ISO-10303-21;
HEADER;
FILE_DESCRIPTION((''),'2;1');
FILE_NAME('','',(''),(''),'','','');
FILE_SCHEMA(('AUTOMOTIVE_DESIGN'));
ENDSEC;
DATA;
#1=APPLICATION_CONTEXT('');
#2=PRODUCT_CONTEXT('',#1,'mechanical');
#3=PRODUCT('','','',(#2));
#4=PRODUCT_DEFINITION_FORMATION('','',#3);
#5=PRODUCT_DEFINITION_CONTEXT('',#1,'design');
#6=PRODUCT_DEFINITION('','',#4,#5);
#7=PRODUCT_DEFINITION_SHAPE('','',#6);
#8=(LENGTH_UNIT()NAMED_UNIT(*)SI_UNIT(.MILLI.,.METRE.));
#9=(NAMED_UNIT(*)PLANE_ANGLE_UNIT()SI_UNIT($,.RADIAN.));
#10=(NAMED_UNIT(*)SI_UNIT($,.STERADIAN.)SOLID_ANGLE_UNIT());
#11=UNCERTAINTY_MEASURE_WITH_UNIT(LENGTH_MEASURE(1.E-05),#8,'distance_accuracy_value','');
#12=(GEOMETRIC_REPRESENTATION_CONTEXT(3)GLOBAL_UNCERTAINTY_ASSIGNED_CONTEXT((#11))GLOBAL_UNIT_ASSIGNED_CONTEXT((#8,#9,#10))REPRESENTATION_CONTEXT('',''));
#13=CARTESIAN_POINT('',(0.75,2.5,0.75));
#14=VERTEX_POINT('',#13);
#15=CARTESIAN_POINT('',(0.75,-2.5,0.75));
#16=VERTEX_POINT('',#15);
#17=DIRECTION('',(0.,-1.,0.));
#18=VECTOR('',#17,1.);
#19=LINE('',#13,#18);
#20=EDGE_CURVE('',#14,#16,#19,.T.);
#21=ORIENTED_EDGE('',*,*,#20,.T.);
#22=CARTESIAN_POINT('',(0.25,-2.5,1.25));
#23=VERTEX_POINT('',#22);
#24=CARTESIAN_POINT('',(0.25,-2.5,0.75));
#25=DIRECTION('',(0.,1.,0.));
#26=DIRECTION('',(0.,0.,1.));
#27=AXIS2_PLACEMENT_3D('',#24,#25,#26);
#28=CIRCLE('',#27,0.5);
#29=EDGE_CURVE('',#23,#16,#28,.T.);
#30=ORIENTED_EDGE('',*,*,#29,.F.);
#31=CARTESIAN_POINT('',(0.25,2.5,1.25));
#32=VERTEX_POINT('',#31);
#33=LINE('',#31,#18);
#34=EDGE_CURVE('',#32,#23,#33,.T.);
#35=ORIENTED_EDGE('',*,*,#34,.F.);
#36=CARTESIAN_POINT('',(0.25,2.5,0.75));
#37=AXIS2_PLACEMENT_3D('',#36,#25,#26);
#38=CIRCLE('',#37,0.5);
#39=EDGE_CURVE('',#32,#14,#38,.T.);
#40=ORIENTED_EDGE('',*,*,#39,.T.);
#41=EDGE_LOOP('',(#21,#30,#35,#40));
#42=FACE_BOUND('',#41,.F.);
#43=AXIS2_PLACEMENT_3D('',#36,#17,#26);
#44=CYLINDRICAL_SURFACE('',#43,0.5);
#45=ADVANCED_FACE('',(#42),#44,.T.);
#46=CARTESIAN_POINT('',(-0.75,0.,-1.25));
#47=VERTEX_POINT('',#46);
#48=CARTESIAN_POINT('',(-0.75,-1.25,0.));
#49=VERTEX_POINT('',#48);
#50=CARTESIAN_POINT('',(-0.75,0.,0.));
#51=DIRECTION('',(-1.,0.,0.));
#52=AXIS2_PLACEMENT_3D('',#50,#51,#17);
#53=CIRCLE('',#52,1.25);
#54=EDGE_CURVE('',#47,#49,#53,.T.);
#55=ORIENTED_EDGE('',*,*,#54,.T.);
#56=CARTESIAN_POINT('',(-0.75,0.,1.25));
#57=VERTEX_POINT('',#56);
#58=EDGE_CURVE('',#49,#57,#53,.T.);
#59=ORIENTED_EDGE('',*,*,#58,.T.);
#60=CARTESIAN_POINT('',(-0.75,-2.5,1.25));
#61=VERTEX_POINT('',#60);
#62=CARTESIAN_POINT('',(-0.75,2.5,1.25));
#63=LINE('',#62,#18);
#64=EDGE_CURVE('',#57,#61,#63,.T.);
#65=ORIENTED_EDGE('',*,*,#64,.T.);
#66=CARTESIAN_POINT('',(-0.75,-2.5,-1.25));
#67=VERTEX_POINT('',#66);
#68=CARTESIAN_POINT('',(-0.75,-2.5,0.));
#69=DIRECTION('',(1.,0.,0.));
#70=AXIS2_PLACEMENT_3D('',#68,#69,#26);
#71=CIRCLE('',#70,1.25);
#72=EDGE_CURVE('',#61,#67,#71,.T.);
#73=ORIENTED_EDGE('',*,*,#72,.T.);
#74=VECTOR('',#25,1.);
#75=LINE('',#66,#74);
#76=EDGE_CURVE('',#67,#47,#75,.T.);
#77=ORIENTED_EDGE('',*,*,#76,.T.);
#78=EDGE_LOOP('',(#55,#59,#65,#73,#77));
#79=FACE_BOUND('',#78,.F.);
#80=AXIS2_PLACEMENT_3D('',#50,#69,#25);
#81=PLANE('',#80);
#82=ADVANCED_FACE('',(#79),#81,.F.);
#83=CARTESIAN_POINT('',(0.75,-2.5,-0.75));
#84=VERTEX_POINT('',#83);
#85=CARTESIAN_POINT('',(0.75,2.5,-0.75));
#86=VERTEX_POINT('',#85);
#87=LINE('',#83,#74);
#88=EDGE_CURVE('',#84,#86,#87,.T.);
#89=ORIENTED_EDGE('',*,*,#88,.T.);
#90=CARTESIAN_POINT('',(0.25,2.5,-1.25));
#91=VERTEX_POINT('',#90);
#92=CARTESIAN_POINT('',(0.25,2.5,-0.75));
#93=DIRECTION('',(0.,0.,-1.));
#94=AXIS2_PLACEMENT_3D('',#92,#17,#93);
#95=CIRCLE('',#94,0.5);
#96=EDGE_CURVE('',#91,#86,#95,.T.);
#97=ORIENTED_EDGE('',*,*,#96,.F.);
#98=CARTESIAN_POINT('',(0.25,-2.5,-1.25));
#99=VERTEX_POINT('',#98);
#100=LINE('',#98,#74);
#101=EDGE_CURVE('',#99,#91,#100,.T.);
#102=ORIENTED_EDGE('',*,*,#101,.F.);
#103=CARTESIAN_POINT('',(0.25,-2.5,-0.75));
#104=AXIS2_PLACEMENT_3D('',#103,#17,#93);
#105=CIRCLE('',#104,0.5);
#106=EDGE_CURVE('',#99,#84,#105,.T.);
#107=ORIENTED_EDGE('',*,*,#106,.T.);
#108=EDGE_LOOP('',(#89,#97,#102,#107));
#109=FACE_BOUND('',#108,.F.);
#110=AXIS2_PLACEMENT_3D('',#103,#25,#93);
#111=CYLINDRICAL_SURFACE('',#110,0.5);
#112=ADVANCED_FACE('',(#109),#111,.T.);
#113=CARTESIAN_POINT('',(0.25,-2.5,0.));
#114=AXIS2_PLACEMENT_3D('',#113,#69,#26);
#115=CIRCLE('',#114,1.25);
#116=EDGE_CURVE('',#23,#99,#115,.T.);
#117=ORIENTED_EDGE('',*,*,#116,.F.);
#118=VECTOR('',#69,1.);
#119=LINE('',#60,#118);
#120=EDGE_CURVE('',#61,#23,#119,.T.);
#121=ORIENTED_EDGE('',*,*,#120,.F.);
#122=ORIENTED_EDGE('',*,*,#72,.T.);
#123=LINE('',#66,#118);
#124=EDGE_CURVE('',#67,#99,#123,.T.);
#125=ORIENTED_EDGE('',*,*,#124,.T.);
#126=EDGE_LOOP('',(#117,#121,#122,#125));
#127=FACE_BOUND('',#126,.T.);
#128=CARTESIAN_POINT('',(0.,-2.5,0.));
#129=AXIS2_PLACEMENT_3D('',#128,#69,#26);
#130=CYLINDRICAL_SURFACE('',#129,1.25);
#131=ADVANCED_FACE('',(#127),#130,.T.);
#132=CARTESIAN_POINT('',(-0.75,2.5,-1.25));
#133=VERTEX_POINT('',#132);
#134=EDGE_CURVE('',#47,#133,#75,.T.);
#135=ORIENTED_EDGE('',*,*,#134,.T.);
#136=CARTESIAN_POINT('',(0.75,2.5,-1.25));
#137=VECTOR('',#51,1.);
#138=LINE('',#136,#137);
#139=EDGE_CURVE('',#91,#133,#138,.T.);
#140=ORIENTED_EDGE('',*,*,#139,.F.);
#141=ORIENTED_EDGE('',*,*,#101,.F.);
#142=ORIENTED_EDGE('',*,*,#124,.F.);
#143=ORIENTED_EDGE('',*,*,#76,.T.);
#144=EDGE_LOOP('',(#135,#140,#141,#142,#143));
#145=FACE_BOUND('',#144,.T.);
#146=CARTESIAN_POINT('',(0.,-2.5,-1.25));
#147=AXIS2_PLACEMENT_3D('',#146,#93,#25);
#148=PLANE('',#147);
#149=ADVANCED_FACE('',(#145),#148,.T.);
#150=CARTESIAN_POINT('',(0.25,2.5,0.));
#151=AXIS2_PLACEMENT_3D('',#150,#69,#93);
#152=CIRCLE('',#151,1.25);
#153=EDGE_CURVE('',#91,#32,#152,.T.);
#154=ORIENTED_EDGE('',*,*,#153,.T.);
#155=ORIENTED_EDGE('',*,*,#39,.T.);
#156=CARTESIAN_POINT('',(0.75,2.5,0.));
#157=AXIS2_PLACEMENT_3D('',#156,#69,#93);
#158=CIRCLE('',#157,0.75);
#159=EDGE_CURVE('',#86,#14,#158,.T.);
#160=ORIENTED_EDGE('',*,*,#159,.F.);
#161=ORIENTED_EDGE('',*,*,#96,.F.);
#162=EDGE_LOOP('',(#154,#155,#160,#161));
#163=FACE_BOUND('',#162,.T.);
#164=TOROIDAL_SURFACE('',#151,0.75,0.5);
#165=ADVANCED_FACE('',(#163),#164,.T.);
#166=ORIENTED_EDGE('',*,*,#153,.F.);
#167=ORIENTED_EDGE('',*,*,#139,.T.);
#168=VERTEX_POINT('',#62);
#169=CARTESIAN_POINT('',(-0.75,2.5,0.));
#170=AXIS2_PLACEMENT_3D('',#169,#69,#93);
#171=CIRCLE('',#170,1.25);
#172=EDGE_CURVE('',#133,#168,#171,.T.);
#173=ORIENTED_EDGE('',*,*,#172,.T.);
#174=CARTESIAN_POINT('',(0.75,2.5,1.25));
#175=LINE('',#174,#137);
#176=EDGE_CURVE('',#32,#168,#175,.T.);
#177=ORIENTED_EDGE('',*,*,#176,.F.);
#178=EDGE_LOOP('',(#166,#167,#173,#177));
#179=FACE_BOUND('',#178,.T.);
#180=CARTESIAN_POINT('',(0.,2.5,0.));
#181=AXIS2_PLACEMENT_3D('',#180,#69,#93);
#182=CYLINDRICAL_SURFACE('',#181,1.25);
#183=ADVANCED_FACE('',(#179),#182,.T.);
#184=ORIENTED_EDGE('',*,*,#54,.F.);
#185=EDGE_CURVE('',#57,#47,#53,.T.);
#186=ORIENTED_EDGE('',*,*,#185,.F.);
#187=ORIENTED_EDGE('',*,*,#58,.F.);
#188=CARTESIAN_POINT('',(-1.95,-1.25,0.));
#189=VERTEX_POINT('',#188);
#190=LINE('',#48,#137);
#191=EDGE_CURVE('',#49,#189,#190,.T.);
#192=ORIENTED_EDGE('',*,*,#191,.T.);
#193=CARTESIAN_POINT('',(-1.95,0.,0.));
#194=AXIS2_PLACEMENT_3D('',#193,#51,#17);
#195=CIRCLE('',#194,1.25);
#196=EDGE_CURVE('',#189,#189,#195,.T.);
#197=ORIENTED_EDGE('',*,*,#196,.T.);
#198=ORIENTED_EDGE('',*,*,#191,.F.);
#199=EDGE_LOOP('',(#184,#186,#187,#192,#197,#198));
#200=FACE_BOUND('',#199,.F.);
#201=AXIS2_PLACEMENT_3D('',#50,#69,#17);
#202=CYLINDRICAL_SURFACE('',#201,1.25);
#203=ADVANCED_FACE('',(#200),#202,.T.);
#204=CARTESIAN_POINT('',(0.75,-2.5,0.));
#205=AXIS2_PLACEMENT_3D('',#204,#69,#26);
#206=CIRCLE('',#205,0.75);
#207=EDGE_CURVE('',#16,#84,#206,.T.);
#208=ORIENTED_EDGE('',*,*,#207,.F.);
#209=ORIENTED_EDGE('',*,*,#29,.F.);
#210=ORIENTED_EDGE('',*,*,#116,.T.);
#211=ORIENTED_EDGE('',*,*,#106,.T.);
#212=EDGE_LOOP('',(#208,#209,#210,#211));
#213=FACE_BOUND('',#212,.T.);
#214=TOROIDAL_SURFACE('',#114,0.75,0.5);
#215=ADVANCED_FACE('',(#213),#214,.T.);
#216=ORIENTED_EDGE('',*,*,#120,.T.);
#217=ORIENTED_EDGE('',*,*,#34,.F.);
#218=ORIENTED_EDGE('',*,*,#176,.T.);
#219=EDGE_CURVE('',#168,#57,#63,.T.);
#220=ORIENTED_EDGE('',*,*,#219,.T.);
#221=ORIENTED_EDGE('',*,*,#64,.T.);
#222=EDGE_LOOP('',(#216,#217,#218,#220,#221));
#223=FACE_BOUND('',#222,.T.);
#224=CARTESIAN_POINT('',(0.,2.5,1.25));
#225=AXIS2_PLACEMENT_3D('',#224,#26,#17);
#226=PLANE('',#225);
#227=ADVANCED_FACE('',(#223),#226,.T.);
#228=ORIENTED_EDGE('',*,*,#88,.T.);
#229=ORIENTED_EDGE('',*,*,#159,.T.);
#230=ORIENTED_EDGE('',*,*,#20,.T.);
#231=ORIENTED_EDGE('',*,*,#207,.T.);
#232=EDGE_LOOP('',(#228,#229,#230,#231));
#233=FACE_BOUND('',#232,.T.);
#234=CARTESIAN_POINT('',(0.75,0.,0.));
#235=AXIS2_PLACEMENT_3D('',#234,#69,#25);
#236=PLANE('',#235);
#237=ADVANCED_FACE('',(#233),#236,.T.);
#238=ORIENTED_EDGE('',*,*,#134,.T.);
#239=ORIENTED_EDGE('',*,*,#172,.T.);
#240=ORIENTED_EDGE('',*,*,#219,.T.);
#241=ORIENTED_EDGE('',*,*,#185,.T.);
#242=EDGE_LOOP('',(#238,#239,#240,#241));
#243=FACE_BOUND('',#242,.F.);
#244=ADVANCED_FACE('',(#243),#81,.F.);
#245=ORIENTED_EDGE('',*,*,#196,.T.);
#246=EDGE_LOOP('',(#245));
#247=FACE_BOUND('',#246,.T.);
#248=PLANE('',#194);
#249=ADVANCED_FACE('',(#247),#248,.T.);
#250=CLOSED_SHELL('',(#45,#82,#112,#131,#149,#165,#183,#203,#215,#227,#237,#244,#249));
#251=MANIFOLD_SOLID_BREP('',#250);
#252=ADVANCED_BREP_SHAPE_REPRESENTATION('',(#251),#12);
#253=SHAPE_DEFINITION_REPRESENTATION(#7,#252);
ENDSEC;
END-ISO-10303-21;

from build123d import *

# Parameters (mm, degrees)
F1_DEPTH = 0.75
F2_R     = 0.5
F3_R     = 1.25
F4_DEPTH = 1.2


with BuildPart() as f1:
    # F0 (on Right) → F1 (new body, symmetric)
    with BuildSketch(Plane.YZ):
        with BuildLine():
            Line((2.5, 1.25), (-2.5, 1.25))
            ThreePointArc((-2.5, 1.25), (-3.75, 0), (-2.5, -1.25))
            Line((-2.5, -1.25), (2.5, -1.25))
            ThreePointArc((2.5, -1.25), (3.75, 0), (2.5, 1.25))
        make_face()
    extrude(amount=F1_DEPTH, both=True)

    # F2
    f2_edges = [f1.edges().sort_by_distance(p)[0] for p in [
        (0.75, 0, 1.25),
        (0.75, -3.75, 0),
        (0.75, 0, -1.25),
        (0.75, 3.75, 0),
    ]]
    fillet(f2_edges, radius=F2_R)

    # F3 (on face) → F4 (join)
    with BuildSketch(Plane(origin=(-0.75, 0, 0), x_dir=(0, -1, 0), z_dir=(-1, 0, 0))):
        Circle(F3_R)
    extrude(amount=F4_DEPTH)


solid = f1.part
